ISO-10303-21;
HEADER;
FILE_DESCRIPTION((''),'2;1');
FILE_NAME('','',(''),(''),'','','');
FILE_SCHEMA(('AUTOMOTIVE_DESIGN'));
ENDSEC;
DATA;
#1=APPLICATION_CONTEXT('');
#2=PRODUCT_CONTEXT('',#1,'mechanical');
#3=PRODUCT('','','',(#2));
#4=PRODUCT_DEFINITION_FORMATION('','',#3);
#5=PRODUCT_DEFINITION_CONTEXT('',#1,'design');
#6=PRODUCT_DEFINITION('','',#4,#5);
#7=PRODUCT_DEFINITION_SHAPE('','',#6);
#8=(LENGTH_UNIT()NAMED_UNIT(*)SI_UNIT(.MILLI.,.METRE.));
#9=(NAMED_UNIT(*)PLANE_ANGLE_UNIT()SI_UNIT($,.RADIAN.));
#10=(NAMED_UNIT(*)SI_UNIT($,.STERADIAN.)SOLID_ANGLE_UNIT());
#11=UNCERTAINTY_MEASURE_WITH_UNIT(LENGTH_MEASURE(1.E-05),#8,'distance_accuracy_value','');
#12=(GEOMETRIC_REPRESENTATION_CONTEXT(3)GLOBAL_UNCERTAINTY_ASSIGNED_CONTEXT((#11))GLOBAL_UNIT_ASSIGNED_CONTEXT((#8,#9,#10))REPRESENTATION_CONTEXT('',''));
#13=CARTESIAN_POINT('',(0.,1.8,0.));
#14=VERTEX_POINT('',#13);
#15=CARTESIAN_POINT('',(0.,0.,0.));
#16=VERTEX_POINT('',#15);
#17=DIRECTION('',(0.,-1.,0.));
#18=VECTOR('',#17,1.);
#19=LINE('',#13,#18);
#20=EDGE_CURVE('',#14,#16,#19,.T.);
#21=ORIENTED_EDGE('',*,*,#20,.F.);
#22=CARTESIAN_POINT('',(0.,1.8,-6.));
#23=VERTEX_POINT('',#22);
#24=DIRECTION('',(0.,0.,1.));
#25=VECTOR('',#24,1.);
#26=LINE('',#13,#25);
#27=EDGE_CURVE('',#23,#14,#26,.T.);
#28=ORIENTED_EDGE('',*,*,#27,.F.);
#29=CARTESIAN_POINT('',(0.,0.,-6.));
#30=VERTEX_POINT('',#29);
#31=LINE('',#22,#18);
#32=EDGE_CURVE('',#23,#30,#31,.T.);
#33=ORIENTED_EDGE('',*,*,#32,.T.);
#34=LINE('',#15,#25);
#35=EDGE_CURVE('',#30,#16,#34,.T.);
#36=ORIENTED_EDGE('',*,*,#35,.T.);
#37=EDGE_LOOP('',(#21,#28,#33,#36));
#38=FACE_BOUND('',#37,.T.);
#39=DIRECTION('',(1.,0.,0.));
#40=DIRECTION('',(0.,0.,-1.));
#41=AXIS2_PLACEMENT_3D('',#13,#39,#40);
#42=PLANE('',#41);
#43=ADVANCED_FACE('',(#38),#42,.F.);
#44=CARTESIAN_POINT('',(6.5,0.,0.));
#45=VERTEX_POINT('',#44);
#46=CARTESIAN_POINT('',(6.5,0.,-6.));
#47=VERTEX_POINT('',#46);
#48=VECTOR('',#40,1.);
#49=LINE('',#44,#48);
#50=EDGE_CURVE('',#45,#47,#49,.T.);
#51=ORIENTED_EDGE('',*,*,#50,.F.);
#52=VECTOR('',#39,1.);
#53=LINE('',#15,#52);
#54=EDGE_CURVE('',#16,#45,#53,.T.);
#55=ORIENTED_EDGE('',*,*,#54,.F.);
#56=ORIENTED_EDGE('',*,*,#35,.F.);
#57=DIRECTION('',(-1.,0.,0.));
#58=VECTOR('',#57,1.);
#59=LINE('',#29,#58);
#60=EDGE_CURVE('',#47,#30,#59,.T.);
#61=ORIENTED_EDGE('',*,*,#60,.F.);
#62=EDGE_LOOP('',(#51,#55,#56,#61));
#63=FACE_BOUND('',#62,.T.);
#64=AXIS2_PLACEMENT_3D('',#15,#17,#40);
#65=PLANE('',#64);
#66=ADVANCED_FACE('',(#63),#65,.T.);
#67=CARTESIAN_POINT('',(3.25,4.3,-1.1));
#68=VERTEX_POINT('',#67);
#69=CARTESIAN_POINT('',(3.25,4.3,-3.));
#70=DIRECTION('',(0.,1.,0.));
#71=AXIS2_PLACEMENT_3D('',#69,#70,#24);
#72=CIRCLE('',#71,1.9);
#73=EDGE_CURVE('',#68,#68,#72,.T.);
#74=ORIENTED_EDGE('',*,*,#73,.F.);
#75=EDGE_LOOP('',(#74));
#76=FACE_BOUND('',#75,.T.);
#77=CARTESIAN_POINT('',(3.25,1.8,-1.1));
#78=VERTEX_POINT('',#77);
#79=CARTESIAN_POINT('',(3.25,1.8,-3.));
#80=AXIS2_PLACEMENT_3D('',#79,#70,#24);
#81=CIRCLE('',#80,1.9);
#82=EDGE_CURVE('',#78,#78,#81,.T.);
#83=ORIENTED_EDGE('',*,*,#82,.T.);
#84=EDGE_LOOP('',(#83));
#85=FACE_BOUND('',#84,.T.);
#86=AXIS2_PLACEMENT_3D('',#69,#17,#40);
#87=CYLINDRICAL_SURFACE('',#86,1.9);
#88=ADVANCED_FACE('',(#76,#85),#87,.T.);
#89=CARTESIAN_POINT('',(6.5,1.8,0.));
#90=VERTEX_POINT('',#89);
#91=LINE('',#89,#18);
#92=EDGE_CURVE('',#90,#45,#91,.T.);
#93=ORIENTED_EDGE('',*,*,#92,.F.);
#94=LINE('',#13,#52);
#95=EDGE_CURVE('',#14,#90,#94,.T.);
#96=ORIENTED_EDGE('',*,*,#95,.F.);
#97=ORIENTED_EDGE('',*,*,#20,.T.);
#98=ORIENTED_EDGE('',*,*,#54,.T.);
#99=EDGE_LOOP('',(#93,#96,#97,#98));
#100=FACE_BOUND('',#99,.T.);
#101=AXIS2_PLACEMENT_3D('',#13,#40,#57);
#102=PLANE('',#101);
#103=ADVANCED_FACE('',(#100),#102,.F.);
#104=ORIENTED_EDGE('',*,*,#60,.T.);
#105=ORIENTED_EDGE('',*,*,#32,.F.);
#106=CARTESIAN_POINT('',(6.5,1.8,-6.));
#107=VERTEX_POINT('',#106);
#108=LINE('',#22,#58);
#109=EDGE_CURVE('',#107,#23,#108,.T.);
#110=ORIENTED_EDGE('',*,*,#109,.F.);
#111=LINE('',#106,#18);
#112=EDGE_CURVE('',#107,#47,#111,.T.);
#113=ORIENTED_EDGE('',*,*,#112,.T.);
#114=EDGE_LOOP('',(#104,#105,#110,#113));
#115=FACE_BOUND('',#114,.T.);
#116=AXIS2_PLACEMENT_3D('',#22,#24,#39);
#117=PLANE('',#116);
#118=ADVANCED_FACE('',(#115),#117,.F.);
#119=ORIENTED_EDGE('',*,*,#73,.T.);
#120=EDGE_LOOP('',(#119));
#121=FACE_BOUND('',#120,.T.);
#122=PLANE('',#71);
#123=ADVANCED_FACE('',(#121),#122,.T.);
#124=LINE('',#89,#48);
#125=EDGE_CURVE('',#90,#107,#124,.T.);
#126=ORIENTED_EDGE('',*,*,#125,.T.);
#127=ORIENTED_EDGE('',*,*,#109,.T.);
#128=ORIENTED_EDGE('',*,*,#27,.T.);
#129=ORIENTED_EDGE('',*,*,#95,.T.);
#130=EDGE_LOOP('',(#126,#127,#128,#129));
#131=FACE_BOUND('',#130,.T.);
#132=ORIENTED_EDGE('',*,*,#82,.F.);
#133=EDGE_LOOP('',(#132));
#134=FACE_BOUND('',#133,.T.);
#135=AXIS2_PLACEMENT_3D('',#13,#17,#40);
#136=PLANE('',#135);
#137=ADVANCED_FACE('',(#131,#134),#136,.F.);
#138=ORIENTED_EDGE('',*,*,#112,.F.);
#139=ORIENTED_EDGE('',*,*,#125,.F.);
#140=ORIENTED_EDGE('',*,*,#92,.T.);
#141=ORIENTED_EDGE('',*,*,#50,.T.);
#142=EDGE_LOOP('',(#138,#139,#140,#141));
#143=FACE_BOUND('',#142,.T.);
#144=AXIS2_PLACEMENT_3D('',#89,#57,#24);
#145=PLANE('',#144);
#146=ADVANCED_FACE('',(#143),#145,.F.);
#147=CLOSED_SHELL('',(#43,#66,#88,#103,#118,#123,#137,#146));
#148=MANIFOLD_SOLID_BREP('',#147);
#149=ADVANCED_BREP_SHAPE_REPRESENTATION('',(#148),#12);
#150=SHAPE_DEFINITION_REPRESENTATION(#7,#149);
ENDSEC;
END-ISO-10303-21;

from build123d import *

# Parameters (mm, degrees)
SKETCH1_W           = 6.5
SKETCH1_H           = 6
BOSS_EXTRUDE1_DEPTH = 1.8
SKETCH2_R           = 1.9
BOSS_EXTRUDE2_DEPTH = 2.5


with BuildPart() as part:
    # Sketch1 → Boss-Extrude1 (new body)
    with BuildSketch(Plane(origin=(0, 0, 0), x_dir=(1, 0, 0), z_dir=(0, 1, 0))):
        with Locations((3.25, 3)):
            Rectangle(SKETCH1_W, SKETCH1_H)
    extrude(amount=BOSS_EXTRUDE1_DEPTH)

    # Sketch2 → Boss-Extrude2 (add)
    with BuildSketch(Plane(origin=(0, 1.8, 0), x_dir=(1, 0, 0), z_dir=(0, 1, 0))):
        with Locations(Location((3.25, 3, 0), (0, 0, 270))):
            Circle(SKETCH2_R)
    extrude(amount=BOSS_EXTRUDE2_DEPTH)


solid = part.part
